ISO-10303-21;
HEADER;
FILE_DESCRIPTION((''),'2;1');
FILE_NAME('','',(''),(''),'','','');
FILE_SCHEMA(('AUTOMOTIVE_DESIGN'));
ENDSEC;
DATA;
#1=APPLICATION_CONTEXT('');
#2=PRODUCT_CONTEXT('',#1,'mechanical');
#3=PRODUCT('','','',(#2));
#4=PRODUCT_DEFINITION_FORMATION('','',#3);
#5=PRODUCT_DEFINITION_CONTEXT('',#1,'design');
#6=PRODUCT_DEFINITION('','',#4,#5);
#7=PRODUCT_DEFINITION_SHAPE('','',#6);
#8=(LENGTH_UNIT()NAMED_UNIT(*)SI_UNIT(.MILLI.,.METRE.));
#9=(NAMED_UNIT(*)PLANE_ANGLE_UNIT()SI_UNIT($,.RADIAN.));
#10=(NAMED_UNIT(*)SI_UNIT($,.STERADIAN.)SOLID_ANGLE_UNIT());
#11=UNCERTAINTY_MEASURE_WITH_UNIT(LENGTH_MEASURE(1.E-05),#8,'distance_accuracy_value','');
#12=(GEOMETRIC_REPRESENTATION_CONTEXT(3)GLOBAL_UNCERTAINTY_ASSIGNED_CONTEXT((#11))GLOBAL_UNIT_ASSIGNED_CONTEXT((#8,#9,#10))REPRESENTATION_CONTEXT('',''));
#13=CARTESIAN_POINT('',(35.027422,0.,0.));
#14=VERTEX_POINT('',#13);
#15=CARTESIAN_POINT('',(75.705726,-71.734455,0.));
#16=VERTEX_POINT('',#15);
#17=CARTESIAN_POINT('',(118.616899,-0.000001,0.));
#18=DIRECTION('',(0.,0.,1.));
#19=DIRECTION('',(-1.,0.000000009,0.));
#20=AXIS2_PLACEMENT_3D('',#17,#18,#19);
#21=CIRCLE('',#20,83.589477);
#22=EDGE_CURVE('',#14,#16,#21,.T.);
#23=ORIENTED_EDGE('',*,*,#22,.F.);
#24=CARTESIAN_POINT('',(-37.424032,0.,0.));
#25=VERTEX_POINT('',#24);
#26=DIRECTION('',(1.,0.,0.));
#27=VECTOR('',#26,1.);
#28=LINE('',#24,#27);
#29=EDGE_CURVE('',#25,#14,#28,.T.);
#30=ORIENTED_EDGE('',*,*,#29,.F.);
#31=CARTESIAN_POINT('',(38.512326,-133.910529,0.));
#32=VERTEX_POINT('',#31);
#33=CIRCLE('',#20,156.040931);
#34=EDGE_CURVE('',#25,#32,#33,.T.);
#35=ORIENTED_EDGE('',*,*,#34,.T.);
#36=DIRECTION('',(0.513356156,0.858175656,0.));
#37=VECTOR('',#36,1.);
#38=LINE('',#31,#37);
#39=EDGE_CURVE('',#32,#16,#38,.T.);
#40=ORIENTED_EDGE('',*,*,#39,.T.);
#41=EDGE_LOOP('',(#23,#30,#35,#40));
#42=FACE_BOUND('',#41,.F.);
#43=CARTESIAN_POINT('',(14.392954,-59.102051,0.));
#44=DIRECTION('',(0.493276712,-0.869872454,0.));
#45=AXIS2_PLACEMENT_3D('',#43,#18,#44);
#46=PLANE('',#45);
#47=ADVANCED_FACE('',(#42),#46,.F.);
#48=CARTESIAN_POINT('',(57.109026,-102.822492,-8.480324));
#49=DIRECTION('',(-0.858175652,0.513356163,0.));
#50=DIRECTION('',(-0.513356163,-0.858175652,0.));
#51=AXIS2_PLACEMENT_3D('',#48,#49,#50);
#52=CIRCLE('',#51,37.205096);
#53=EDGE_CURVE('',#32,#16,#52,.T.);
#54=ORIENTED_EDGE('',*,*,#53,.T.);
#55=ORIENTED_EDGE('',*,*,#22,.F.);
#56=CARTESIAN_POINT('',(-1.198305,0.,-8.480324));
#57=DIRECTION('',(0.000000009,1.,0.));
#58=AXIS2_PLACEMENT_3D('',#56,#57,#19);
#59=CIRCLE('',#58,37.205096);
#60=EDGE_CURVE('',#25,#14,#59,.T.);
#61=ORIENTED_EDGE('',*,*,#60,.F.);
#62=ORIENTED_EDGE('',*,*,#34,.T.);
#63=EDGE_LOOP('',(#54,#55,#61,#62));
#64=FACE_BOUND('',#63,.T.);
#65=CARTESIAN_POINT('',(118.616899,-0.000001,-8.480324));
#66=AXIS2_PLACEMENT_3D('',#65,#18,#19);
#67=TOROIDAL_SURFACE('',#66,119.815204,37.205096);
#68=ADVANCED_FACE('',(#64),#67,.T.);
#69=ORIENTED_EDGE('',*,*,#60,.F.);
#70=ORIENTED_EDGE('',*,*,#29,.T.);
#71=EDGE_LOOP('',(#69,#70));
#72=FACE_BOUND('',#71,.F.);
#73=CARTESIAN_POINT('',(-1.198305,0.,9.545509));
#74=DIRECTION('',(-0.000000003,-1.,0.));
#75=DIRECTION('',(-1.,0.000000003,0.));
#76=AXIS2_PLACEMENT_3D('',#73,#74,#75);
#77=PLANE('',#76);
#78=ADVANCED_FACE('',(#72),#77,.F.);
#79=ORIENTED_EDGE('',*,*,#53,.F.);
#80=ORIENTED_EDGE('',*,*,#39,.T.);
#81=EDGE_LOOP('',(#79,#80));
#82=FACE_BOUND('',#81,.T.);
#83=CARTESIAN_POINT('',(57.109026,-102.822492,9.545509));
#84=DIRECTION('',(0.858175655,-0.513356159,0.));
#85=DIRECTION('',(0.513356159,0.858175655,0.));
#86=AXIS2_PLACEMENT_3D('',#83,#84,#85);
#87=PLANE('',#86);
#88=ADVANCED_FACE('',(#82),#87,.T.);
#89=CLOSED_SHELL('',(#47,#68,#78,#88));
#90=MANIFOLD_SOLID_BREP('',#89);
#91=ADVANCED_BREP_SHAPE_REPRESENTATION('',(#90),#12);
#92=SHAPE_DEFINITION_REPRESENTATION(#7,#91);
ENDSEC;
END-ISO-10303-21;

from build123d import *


with BuildPart() as f2:
    # F2: sweep along a path in F1
    with BuildLine(Plane.XY) as f2_path:
        ThreePointArc((0, 0), (15.435326, -58.510955), (57.724183, -101.794136))
    # F0 (on Front) → F2 (sweep)
    with BuildSketch(Plane.XZ):
        with BuildLine():
            ThreePointArc((35.027422, 0), (-1.198305, 28.724772), (-37.424032, 0))
            Line((-37.424032, 0), (35.027422, 0))
        make_face()
    sweep(path=f2_path.line)


solid = f2.part
